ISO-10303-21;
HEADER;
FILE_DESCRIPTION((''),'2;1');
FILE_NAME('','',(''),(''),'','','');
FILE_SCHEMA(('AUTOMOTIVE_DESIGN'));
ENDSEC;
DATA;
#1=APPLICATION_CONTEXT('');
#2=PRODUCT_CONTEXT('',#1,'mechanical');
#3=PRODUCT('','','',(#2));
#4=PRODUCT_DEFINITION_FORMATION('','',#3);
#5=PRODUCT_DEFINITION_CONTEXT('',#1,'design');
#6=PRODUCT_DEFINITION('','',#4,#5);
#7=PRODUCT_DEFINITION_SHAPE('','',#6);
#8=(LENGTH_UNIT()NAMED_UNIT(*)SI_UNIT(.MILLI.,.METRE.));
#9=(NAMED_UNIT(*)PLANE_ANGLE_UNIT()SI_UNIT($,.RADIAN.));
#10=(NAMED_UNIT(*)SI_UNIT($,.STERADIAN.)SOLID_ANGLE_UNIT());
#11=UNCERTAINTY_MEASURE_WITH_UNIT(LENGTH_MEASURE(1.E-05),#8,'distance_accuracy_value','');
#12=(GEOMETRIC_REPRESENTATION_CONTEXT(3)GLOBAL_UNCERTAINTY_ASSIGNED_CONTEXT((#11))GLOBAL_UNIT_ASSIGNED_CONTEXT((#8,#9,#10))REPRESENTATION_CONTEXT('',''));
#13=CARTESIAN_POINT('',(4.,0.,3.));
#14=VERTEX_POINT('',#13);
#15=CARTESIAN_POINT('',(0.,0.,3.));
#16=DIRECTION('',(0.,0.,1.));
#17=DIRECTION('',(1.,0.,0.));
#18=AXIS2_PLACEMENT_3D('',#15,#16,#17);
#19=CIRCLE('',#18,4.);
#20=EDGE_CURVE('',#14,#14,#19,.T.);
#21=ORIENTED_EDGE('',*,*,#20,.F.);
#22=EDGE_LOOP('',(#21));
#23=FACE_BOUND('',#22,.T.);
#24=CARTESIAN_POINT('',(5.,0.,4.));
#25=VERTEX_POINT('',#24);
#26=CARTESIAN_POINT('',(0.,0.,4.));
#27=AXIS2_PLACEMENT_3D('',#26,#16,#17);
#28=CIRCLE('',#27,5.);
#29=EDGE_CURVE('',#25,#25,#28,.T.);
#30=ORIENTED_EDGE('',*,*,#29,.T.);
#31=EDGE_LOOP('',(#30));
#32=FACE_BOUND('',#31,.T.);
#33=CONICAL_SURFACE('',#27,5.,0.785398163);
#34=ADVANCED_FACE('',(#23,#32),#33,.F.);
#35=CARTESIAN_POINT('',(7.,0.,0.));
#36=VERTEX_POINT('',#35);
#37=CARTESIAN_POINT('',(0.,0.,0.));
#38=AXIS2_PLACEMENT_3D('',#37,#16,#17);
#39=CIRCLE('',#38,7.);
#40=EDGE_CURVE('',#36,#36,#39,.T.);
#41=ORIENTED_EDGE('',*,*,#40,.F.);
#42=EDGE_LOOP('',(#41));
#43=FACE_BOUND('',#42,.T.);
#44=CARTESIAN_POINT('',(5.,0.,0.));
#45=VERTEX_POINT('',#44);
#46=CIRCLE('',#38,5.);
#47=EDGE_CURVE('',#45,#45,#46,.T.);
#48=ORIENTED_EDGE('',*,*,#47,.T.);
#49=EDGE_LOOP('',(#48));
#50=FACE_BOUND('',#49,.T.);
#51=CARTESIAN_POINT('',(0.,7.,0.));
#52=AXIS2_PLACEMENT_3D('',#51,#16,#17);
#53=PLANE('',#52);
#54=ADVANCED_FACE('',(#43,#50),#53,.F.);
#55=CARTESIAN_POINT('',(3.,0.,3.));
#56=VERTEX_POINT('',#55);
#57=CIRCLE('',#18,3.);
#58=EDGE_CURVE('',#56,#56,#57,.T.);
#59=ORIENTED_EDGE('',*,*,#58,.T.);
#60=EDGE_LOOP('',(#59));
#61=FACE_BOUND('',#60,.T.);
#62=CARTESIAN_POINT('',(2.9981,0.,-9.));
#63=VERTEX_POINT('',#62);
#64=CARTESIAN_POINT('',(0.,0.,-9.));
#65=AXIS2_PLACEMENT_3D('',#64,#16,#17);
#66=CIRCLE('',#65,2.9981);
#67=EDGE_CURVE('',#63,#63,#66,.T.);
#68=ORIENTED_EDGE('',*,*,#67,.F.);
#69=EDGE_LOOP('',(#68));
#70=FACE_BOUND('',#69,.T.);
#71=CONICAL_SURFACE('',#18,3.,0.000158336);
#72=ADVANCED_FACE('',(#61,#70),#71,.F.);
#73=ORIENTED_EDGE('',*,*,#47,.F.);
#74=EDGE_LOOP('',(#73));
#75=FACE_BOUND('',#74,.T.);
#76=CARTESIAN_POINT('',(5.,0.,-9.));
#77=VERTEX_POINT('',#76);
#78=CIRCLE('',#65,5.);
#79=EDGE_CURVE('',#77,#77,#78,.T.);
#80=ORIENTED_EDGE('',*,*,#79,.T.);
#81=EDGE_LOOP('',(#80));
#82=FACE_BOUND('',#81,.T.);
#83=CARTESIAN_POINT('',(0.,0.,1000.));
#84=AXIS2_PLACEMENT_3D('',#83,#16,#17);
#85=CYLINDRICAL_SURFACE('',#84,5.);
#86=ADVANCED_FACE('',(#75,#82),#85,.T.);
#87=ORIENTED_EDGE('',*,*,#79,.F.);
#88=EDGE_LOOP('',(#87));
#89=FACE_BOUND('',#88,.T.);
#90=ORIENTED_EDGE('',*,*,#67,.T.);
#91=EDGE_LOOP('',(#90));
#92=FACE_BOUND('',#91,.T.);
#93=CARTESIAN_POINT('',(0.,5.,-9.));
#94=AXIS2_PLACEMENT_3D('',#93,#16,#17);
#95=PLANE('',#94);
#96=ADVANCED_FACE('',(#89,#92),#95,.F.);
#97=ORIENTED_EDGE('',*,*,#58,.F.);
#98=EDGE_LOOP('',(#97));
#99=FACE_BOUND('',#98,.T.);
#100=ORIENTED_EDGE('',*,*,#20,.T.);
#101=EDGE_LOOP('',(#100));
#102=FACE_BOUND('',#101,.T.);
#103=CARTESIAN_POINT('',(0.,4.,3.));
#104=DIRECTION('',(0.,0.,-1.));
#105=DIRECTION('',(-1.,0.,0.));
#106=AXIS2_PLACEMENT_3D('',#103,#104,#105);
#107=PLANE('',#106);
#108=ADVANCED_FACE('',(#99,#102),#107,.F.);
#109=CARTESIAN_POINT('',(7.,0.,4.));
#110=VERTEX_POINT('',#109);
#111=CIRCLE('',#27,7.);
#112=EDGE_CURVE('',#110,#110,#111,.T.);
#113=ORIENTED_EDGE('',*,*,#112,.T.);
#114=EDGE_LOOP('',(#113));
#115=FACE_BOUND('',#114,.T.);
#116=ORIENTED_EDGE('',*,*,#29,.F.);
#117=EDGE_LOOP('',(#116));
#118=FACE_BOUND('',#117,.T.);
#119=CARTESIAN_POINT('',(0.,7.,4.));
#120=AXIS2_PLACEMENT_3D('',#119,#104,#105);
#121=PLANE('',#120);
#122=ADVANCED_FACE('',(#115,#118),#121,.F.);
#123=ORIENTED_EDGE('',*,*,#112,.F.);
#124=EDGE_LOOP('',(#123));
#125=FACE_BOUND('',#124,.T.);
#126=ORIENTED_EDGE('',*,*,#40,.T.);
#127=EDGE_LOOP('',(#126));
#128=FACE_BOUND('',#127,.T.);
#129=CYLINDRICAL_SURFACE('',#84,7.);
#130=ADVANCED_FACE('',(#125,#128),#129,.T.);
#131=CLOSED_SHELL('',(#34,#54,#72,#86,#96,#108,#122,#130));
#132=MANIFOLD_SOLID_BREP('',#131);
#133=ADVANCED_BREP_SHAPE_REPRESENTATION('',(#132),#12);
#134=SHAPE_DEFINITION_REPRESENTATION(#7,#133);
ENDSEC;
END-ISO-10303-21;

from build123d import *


with BuildPart() as part:
    # Эскиз1 → Повернуть1 (revolve)
    with BuildSketch(Plane(origin=(0, 0, 0), x_dir=(0, 0, -1), z_dir=(1, 0, 0))):
        Polygon((-4, 7), (-4, 5), (-3, 4), (-3, 3), (9, 2.998099963), (9, 5), (0, 5), (0, 7), align=None)
    revolve(axis=Axis((0, 0, 1000), (0, 0, -1)))


solid = part.part
